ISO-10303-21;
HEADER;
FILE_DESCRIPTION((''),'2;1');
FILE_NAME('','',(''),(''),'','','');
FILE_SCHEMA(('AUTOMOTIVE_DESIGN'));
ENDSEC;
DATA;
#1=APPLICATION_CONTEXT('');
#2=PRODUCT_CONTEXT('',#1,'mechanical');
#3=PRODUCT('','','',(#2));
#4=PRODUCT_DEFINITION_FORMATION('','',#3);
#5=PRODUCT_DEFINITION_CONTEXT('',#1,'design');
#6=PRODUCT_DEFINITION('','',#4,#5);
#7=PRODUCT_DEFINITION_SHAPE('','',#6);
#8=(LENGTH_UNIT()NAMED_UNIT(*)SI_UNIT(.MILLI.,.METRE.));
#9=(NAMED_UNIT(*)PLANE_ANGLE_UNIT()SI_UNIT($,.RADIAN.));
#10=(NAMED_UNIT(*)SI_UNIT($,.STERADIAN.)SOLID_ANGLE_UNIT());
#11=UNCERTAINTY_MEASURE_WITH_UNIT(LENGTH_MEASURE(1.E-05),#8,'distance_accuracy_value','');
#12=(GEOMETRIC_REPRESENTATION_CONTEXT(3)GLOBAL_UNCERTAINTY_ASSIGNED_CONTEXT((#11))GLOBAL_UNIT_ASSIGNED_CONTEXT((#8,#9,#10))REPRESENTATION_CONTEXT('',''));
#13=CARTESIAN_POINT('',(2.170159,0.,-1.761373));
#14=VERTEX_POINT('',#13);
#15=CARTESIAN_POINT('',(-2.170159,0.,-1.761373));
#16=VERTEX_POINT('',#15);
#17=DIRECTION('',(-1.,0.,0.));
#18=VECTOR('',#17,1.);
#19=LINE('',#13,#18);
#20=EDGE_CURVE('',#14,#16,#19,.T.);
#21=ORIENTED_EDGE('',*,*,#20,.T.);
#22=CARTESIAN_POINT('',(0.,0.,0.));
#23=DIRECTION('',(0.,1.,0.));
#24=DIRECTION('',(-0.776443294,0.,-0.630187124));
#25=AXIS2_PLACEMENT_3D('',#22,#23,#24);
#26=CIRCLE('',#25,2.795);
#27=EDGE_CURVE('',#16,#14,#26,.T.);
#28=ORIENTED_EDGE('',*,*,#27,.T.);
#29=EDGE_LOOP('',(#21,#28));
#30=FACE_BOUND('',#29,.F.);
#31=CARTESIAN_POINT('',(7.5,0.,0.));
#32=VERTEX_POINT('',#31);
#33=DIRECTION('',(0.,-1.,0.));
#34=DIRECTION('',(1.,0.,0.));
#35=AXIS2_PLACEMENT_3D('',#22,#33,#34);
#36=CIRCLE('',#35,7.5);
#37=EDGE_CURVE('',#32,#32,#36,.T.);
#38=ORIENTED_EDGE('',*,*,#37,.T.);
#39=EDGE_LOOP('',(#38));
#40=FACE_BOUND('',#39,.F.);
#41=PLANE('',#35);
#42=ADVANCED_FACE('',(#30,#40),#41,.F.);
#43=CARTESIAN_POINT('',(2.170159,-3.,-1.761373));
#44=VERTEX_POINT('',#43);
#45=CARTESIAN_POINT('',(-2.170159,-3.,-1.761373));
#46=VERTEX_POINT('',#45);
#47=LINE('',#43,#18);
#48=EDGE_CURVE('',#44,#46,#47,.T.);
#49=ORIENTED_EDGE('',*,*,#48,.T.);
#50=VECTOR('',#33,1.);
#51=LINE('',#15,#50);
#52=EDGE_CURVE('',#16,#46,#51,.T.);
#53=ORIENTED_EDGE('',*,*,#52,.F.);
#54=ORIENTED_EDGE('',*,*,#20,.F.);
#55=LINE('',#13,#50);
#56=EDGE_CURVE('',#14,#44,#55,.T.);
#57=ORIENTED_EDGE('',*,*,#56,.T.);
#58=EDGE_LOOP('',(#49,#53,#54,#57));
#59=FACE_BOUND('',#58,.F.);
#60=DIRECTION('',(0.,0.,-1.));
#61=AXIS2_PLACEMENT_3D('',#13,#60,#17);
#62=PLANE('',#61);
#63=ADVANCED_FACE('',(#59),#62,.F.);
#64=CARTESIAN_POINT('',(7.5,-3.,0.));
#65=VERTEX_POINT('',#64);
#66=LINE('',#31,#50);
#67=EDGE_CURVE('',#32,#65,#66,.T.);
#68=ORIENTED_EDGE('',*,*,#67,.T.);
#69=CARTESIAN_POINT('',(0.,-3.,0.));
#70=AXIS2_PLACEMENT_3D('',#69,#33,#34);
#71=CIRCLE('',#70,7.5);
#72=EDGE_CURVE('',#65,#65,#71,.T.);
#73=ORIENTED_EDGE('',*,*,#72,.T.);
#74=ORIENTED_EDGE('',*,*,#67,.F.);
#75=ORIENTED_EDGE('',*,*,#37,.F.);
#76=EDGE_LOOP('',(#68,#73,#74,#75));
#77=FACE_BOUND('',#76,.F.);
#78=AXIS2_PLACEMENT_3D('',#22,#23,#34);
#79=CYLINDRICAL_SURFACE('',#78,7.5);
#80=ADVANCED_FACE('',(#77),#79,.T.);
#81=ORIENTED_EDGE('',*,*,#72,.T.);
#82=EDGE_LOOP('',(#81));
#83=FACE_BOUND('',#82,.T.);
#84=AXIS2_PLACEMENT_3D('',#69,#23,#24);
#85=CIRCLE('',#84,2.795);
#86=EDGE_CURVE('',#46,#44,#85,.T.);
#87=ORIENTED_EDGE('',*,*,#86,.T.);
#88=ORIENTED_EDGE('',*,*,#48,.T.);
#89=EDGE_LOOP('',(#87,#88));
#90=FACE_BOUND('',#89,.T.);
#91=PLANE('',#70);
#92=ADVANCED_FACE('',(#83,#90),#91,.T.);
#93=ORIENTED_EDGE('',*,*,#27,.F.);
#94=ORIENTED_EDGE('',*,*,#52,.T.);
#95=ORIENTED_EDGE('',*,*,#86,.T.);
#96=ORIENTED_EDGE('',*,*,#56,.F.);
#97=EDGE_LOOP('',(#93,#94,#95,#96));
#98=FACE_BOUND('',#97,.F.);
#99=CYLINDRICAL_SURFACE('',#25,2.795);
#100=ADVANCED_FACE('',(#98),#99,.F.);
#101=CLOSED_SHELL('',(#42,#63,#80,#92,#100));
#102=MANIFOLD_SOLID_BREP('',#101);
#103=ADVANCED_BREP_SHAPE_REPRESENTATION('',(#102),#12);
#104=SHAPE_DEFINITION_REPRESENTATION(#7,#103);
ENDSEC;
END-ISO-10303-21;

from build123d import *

# Parameters (mm, degrees)
F0_R     = 7.5
F1_DEPTH = 3


with BuildPart() as f1:
    # F0 (on Front) → F1 (new body)
    with BuildSketch(Plane.XZ):
        Circle(F0_R)
        with BuildLine():
            Line((2.170159, -1.761373), (-2.170159, -1.761373))
            ThreePointArc((-2.170159, -1.761373), (0, 2.795), (2.170159, -1.761373))
        make_face(mode=Mode.SUBTRACT)
    extrude(amount=F1_DEPTH)


solid = f1.part
